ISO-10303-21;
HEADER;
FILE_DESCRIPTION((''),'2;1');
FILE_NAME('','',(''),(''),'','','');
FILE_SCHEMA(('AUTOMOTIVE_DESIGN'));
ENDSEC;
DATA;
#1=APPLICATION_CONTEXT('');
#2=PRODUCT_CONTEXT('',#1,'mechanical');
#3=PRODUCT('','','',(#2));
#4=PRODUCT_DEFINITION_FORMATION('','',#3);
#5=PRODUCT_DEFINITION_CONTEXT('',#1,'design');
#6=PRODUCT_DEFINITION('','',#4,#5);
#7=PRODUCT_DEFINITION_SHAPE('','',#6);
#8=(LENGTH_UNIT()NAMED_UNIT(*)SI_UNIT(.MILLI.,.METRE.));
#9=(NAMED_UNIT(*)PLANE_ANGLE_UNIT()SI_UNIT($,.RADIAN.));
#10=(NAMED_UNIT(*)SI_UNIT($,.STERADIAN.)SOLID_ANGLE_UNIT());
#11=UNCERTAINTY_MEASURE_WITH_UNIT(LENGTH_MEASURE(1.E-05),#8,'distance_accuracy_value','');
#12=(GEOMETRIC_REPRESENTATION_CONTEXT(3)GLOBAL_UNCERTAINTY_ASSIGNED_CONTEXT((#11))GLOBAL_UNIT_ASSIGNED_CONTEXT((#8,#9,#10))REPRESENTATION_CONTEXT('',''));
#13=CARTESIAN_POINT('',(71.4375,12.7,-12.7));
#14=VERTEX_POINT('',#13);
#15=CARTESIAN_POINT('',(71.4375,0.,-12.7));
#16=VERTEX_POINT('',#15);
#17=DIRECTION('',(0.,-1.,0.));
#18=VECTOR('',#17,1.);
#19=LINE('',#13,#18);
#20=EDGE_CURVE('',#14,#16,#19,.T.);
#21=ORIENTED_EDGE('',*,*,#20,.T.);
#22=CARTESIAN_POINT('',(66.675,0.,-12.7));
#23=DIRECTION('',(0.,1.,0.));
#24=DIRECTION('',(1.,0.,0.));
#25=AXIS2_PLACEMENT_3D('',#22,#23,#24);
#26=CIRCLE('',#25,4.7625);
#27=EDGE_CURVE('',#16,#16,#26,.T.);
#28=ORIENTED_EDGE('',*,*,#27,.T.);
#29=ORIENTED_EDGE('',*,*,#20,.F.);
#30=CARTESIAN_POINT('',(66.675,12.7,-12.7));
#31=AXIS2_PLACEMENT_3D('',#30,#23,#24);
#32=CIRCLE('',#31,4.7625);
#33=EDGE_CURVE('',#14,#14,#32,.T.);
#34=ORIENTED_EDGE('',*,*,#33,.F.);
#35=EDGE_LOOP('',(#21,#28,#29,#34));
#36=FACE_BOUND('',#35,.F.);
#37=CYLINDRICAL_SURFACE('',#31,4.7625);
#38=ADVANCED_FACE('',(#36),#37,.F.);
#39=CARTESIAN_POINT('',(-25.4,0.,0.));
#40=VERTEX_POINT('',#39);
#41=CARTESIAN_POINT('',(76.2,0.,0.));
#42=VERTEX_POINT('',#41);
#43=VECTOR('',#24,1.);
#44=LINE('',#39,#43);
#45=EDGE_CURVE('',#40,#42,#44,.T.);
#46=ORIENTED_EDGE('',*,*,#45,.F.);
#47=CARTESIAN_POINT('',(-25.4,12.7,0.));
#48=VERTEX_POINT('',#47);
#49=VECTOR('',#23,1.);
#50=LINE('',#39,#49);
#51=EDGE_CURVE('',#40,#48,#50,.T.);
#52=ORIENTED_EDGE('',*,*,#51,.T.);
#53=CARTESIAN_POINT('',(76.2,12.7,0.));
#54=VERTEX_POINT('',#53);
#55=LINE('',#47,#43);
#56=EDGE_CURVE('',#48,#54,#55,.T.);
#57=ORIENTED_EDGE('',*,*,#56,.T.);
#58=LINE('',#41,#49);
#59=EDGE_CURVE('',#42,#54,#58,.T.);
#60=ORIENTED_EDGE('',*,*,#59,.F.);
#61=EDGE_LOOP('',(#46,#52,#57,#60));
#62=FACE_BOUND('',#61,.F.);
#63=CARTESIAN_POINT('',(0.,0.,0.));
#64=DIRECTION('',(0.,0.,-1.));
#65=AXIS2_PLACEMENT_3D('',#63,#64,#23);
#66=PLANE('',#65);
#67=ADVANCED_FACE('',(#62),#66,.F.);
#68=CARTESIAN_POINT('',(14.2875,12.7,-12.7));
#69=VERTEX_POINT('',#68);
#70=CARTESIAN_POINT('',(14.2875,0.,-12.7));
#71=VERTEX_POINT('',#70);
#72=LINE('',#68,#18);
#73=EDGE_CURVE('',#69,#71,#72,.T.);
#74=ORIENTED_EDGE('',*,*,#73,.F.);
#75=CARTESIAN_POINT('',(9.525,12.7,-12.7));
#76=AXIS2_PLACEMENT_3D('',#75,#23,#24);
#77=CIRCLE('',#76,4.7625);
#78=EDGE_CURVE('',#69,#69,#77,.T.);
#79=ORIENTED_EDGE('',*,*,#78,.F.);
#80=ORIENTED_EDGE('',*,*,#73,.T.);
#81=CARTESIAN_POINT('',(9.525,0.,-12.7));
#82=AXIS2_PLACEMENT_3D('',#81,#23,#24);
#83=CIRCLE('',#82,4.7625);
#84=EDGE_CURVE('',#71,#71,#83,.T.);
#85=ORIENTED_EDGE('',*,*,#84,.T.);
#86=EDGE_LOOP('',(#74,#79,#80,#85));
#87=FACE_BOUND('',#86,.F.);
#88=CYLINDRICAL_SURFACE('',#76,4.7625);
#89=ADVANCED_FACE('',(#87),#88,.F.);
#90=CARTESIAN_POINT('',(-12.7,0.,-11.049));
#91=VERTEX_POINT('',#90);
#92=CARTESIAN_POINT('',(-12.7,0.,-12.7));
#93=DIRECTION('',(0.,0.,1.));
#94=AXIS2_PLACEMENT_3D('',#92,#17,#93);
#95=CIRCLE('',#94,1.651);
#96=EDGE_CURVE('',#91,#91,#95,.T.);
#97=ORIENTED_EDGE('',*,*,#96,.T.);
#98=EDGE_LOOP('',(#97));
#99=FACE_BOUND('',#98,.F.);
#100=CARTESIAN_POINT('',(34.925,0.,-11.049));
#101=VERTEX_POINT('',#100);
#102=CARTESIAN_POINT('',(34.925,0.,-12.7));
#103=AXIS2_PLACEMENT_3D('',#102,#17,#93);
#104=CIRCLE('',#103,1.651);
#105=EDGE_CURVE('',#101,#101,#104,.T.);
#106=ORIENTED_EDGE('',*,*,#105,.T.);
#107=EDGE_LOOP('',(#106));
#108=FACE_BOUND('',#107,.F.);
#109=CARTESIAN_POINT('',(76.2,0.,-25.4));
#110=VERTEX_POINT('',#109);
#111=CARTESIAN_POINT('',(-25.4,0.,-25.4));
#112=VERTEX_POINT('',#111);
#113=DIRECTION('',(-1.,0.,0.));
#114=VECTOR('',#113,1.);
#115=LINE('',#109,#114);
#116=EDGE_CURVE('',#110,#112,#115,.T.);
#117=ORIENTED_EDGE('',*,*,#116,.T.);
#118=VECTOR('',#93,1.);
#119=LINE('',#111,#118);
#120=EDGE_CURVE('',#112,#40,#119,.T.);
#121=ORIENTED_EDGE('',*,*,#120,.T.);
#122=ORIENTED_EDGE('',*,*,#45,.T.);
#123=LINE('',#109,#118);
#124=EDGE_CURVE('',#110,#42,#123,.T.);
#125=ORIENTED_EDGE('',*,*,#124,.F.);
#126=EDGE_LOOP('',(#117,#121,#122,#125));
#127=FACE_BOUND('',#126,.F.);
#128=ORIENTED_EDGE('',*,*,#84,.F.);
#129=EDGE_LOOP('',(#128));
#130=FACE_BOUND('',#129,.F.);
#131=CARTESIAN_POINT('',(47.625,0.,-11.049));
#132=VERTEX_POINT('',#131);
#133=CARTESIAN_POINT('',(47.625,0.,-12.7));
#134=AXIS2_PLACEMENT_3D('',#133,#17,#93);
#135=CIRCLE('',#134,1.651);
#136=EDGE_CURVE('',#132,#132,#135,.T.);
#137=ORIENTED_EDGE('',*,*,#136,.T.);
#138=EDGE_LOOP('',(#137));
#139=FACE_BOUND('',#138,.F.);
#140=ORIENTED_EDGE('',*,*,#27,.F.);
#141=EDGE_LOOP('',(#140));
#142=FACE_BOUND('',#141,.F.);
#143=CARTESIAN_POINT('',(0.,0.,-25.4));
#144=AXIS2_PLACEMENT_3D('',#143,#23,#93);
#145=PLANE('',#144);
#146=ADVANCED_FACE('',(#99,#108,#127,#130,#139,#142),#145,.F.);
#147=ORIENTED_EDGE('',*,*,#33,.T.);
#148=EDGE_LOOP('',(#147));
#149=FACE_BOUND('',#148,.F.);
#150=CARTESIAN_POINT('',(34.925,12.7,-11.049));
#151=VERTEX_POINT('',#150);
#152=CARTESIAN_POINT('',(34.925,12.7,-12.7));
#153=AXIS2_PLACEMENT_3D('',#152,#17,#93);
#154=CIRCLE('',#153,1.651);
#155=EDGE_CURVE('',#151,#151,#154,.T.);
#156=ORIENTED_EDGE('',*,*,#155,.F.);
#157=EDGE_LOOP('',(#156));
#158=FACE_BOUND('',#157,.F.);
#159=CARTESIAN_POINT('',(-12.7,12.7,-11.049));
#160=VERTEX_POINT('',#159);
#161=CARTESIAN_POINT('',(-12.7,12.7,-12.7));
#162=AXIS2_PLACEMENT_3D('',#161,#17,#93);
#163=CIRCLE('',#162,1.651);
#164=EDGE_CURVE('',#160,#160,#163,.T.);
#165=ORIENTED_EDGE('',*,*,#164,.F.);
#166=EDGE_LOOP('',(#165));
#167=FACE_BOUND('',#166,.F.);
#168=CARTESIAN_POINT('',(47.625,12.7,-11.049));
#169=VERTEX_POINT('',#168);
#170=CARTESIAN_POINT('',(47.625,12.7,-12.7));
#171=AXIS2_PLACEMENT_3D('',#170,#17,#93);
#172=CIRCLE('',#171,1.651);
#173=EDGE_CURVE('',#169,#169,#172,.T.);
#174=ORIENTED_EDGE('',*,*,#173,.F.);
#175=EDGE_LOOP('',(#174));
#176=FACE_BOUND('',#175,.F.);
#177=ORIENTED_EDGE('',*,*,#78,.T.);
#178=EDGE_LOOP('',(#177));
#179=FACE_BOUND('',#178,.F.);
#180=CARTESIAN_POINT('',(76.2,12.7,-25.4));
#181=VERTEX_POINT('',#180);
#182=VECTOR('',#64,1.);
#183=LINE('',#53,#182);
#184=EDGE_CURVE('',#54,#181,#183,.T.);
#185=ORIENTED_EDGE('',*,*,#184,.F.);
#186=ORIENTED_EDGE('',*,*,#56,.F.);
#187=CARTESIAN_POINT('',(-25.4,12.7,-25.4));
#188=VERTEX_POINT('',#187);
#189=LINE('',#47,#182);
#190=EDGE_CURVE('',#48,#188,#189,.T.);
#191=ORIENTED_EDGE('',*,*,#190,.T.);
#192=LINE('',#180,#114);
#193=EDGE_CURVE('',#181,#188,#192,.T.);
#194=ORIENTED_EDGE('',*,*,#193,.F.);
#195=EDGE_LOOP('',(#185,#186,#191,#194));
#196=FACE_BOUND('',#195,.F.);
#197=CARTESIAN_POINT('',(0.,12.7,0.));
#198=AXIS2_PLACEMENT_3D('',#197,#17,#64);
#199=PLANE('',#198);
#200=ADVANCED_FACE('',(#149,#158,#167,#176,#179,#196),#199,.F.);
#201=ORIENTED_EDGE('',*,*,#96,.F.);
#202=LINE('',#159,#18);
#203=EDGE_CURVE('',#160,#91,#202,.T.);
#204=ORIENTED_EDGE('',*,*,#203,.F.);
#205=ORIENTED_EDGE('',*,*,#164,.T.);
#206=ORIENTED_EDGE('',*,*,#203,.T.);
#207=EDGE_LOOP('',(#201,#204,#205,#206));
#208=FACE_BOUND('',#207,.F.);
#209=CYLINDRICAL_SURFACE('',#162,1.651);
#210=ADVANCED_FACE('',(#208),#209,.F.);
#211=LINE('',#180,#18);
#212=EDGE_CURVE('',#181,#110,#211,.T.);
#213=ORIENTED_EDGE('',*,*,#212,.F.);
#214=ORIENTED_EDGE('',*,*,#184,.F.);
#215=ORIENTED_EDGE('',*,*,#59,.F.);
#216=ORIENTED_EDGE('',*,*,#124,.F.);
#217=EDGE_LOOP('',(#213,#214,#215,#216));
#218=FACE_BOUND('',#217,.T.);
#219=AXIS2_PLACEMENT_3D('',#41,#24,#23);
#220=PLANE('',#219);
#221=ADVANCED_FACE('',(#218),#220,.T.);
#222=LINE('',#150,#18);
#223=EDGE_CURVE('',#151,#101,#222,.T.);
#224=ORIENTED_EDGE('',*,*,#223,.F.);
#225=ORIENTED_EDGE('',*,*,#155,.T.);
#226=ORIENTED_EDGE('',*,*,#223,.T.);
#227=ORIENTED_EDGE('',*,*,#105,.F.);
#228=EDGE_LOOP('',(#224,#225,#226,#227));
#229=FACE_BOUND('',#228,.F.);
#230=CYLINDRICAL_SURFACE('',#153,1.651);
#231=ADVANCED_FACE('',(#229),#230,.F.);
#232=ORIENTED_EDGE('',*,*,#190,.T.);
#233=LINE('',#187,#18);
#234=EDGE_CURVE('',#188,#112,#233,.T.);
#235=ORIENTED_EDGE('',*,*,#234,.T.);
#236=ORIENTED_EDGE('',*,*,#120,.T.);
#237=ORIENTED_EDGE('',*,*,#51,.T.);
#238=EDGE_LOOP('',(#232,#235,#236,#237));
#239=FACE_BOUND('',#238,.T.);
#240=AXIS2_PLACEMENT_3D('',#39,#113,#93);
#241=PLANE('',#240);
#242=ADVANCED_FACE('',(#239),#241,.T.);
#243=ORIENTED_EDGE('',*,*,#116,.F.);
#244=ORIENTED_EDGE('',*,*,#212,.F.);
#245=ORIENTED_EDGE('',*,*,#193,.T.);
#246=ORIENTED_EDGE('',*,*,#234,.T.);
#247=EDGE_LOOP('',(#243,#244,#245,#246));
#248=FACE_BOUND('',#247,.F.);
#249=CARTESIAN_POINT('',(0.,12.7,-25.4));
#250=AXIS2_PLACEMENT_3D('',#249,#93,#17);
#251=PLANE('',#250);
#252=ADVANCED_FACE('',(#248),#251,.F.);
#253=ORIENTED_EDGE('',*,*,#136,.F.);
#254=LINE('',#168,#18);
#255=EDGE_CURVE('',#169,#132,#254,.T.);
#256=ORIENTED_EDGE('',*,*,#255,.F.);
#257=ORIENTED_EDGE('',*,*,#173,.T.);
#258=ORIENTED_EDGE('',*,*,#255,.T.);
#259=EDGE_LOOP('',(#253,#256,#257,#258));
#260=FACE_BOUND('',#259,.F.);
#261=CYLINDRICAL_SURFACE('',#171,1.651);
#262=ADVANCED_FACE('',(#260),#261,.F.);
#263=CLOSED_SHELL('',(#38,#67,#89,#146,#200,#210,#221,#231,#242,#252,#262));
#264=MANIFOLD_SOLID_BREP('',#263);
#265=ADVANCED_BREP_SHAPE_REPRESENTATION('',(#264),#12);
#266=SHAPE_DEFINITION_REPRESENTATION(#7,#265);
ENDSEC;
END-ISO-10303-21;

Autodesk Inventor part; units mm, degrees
ref_plane "YZ Plane" through (0, 0, 0) normal (1, 0, 0) x (0, 1, 0)
ref_plane "XZ Plane" through (0, 0, 0) normal (0, 1, 0) x (-1, 0, 0)
ref_plane "XY Plane" through (0, 0, 0) normal (0, 0, 1) x (1, 0, 0)
sketch "Sketch1" plane through (0, 0, 0) normal (1, 0, 0) x (0, 1, 0)
  line L0 (0, 0) -> (12.7, 0)
  line L1 (12.7, 0) -> (12.7, -25.4)
  line L2 (12.7, -25.4) -> (0, -25.4)
  line L3 (0, -25.4) -> (0, 0)
  dimension "d0" = 12.7
  dimension "d1" = 25.4
extrude "Extrusion1" add sketch "Sketch1" along normal blind 76.2
sketch "Sketch2" plane through (0, 12.7, 0) normal (0, 1, 0) x (1, 0, 0)
  circle A0 centre (9.525, 12.7) radius 4.7625
  line L0 (0, 0) -> (76.2, 0) projected
  line L1 (0, 25.4) -> (76.2, 25.4) projected
  line L2 (0, 0) -> (0, 25.4) projected
  circle A1 centre (66.675, 12.7) radius 4.7625
  line L3 (76.2, 25.4) -> (76.2, 0) projected
  dimension "d4" = 12.7
  dimension "d5" = 25.4
  dimension "d6" = 9.525
  dimension "d7" = 4.7625
  dimension "d8" = 9.525
  dimension "d9" = 12.7
  dimension "d10" = 4.7625
extrude "Extrusion2" cut sketch "Sketch2" against normal through all contours A0 | A1
sketch "Sketch5" plane through (0, 12.7, 0) normal (0, 1, 0) x (1, 0, 0)
  line L0 (0, 0) -> (76.2, 0) projected
  line L1 (0, 25.4) -> (76.2, 25.4) projected
  circle A0 centre (66.675, 12.7) radius 4.7625 projected
  point P0 (47.625, 12.7)
  dimension "d26" = 12.7
  dimension "d27" = 25.4
  dimension "d28" = 19.05
hole "Hole2" at (47.625, 12.7, -12.7) direction (0, -1, 0) diameter 3.302 end through all thread size "8-32 UNC" class "2B" standard "ANSI Unified Screw Threads"
sketch "Sketch7" plane through (0, 0, 0) normal (-1, 0, 0) x (0, 0, 1)
  line L0 (-25.4, 12.7) -> (-25.4, 0) projected
  line L1 (0, 12.7) -> (-25.4, 12.7) projected
  line L2 (-25.4, 0) -> (0, 0)
  line L3 (0, 0) -> (0, 12.7)
  line L4 (0, 12.7) -> (-25.4, 12.7)
  line L5 (-25.4, 12.7) -> (-25.4, 0)
  point P0 (0, 0)
extrude "Extrusion4" add sketch "Sketch7" along normal blind 25.4
sketch "Sketch10" plane through (-25.4, 12.7, -25.4) normal (0, 1, 0) x (1, 0, 0)
  circle A0 centre (73.025, -12.7) radius 1.651 projected
  circle A1 centre (34.925, -12.7) radius 4.7625 projected
  circle A2 centre (92.075, -12.7) radius 4.7625 projected
  line L0 (101.6, 0) -> (101.6, -25.4) projected
  line L1 (101.6, 0) -> (0, 0) projected
  line L2 (0, -25.4) -> (0, 0) projected
  line L3 (101.6, -25.4) -> (0, -25.4) projected
  point P0 (25.4, -25.4)
  point P1 (12.7, -12.7)
  point P2 (88.9, -38.1)
  dimension "d56" = 25.4
  dimension "d58" = 12.7
  dimension "d61" = 12.7
hole "Hole4" at (-12.7, 12.7, -12.7) at (63.5, 12.7, 12.7) direction (0, -1, 0) diameter 3.302 end through all thread size "8-32 UNC" class "2B" standard "ANSI Unified Screw Threads"
sketch "Sketch11" plane through (76.2, 12.7, 0) normal (0, 1, 0) x (1, 0, 0)
  circle A0 centre (-88.9, 12.7) radius 1.651 projected
  circle A1 centre (-28.575, 12.7) radius 1.651 projected
  circle A2 centre (-66.675, 12.7) radius 4.7625 projected
  circle A3 centre (-9.525, 12.7) radius 4.7625 projected
  line L0 (0, 0) -> (-101.6, 0) projected
  line L1 (0, 25.4) -> (0, 0) projected
  line L2 (0, 25.4) -> (-101.6, 25.4) projected
  line L3 (-101.6, 0) -> (-101.6, 25.4) projected
  point P0 (-76.2, 0)
  point P1 (-41.275, 12.7)
  dimension "d73" = 12.7
  dimension "d74" = 12.7
  dimension "d75" = 12.7
hole "Hole5" at (34.925, 12.7, -12.7) direction (0, -1, 0) diameter 3.302 end through all thread size "8-32 UNC" class "2B" standard "ANSI Unified Screw Threads"
equation "\"d4\" = 0.5 * d5"
equation "\"d8\" = d6"
equation "\"d9\" = d4"
equation "\"d10\" = d7"
equation "\"d26\" = 0.5 * d27"
equation "\"d58\" = 0.5 * d56"
equation "\"d75\" = d74"
properties part number "L17_TSI_004"
